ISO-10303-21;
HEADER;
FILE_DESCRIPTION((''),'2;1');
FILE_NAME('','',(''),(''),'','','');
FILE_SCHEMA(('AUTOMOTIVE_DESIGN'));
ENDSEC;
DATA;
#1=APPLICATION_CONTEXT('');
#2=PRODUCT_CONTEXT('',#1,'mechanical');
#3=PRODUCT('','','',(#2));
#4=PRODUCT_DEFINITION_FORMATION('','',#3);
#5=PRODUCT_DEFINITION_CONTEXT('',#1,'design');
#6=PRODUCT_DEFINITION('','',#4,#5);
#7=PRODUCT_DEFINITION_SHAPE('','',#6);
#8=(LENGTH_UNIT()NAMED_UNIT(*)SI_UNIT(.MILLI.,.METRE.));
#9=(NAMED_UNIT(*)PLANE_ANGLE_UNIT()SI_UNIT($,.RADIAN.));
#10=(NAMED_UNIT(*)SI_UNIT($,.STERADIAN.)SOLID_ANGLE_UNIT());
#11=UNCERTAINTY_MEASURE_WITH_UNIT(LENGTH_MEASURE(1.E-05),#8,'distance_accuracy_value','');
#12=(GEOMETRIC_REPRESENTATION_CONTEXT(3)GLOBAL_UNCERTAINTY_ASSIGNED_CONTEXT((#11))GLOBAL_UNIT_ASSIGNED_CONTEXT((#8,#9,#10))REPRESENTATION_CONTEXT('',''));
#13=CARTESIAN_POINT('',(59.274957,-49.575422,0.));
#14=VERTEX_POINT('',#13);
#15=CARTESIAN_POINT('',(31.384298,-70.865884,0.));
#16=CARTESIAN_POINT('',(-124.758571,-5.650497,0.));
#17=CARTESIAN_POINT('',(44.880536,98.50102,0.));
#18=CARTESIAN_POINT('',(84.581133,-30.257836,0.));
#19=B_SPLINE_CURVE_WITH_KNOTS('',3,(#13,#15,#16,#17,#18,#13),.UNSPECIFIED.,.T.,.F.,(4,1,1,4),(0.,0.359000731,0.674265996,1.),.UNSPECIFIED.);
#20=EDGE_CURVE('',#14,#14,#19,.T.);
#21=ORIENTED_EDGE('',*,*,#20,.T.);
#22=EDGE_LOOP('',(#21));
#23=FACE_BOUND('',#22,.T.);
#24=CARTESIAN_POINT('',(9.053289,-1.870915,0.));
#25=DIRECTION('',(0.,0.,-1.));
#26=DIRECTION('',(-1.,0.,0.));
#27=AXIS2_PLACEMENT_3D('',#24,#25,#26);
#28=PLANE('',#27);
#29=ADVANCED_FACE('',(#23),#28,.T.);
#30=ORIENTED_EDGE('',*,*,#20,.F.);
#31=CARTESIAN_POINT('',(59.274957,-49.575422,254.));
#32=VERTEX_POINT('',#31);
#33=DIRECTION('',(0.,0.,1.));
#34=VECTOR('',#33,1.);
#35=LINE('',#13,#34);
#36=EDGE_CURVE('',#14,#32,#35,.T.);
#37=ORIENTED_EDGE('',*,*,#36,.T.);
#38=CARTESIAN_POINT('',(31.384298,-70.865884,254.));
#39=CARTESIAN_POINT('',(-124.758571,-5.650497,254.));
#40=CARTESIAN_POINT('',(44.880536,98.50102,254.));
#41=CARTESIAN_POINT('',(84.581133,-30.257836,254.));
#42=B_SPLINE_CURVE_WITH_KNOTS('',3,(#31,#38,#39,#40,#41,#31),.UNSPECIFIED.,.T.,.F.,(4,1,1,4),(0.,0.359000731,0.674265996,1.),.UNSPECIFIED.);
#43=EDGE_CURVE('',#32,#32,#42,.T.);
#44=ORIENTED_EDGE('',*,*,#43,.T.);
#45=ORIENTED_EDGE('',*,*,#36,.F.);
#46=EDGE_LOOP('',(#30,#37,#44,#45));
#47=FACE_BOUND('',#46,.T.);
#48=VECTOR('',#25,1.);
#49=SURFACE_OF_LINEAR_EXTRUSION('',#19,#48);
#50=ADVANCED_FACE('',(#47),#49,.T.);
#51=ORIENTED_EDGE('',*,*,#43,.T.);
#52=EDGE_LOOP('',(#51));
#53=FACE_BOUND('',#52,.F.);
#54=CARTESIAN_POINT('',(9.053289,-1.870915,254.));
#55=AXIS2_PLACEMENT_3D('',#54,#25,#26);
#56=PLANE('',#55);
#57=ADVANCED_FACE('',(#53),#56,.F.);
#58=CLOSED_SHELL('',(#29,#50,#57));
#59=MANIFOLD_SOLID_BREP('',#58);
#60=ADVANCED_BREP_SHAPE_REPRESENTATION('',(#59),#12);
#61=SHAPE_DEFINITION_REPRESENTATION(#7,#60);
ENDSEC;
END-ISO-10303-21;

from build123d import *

# Parameters (mm, degrees)
F1_DEPTH = 254


with BuildPart() as f1:
    # F0 (on Top) → F1 (new body)
    with BuildSketch(Plane.XY):
        with BuildLine():
            add(Edge.make_bspline(
                [(59.274956584, -49.5754219592), (31.3842980181, -70.8658836753), (-124.7585713245, -5.6504971366), (44.880536292, 98.5010200745), (84.5811331938, -30.257836359), (59.274956584, -49.5754219592)],
                knots=[0, 0, 0, 0, 0.3590007309, 0.6742659956, 1, 1, 1, 1], degree=3))
        make_face()
    extrude(amount=F1_DEPTH)


solid = f1.part
